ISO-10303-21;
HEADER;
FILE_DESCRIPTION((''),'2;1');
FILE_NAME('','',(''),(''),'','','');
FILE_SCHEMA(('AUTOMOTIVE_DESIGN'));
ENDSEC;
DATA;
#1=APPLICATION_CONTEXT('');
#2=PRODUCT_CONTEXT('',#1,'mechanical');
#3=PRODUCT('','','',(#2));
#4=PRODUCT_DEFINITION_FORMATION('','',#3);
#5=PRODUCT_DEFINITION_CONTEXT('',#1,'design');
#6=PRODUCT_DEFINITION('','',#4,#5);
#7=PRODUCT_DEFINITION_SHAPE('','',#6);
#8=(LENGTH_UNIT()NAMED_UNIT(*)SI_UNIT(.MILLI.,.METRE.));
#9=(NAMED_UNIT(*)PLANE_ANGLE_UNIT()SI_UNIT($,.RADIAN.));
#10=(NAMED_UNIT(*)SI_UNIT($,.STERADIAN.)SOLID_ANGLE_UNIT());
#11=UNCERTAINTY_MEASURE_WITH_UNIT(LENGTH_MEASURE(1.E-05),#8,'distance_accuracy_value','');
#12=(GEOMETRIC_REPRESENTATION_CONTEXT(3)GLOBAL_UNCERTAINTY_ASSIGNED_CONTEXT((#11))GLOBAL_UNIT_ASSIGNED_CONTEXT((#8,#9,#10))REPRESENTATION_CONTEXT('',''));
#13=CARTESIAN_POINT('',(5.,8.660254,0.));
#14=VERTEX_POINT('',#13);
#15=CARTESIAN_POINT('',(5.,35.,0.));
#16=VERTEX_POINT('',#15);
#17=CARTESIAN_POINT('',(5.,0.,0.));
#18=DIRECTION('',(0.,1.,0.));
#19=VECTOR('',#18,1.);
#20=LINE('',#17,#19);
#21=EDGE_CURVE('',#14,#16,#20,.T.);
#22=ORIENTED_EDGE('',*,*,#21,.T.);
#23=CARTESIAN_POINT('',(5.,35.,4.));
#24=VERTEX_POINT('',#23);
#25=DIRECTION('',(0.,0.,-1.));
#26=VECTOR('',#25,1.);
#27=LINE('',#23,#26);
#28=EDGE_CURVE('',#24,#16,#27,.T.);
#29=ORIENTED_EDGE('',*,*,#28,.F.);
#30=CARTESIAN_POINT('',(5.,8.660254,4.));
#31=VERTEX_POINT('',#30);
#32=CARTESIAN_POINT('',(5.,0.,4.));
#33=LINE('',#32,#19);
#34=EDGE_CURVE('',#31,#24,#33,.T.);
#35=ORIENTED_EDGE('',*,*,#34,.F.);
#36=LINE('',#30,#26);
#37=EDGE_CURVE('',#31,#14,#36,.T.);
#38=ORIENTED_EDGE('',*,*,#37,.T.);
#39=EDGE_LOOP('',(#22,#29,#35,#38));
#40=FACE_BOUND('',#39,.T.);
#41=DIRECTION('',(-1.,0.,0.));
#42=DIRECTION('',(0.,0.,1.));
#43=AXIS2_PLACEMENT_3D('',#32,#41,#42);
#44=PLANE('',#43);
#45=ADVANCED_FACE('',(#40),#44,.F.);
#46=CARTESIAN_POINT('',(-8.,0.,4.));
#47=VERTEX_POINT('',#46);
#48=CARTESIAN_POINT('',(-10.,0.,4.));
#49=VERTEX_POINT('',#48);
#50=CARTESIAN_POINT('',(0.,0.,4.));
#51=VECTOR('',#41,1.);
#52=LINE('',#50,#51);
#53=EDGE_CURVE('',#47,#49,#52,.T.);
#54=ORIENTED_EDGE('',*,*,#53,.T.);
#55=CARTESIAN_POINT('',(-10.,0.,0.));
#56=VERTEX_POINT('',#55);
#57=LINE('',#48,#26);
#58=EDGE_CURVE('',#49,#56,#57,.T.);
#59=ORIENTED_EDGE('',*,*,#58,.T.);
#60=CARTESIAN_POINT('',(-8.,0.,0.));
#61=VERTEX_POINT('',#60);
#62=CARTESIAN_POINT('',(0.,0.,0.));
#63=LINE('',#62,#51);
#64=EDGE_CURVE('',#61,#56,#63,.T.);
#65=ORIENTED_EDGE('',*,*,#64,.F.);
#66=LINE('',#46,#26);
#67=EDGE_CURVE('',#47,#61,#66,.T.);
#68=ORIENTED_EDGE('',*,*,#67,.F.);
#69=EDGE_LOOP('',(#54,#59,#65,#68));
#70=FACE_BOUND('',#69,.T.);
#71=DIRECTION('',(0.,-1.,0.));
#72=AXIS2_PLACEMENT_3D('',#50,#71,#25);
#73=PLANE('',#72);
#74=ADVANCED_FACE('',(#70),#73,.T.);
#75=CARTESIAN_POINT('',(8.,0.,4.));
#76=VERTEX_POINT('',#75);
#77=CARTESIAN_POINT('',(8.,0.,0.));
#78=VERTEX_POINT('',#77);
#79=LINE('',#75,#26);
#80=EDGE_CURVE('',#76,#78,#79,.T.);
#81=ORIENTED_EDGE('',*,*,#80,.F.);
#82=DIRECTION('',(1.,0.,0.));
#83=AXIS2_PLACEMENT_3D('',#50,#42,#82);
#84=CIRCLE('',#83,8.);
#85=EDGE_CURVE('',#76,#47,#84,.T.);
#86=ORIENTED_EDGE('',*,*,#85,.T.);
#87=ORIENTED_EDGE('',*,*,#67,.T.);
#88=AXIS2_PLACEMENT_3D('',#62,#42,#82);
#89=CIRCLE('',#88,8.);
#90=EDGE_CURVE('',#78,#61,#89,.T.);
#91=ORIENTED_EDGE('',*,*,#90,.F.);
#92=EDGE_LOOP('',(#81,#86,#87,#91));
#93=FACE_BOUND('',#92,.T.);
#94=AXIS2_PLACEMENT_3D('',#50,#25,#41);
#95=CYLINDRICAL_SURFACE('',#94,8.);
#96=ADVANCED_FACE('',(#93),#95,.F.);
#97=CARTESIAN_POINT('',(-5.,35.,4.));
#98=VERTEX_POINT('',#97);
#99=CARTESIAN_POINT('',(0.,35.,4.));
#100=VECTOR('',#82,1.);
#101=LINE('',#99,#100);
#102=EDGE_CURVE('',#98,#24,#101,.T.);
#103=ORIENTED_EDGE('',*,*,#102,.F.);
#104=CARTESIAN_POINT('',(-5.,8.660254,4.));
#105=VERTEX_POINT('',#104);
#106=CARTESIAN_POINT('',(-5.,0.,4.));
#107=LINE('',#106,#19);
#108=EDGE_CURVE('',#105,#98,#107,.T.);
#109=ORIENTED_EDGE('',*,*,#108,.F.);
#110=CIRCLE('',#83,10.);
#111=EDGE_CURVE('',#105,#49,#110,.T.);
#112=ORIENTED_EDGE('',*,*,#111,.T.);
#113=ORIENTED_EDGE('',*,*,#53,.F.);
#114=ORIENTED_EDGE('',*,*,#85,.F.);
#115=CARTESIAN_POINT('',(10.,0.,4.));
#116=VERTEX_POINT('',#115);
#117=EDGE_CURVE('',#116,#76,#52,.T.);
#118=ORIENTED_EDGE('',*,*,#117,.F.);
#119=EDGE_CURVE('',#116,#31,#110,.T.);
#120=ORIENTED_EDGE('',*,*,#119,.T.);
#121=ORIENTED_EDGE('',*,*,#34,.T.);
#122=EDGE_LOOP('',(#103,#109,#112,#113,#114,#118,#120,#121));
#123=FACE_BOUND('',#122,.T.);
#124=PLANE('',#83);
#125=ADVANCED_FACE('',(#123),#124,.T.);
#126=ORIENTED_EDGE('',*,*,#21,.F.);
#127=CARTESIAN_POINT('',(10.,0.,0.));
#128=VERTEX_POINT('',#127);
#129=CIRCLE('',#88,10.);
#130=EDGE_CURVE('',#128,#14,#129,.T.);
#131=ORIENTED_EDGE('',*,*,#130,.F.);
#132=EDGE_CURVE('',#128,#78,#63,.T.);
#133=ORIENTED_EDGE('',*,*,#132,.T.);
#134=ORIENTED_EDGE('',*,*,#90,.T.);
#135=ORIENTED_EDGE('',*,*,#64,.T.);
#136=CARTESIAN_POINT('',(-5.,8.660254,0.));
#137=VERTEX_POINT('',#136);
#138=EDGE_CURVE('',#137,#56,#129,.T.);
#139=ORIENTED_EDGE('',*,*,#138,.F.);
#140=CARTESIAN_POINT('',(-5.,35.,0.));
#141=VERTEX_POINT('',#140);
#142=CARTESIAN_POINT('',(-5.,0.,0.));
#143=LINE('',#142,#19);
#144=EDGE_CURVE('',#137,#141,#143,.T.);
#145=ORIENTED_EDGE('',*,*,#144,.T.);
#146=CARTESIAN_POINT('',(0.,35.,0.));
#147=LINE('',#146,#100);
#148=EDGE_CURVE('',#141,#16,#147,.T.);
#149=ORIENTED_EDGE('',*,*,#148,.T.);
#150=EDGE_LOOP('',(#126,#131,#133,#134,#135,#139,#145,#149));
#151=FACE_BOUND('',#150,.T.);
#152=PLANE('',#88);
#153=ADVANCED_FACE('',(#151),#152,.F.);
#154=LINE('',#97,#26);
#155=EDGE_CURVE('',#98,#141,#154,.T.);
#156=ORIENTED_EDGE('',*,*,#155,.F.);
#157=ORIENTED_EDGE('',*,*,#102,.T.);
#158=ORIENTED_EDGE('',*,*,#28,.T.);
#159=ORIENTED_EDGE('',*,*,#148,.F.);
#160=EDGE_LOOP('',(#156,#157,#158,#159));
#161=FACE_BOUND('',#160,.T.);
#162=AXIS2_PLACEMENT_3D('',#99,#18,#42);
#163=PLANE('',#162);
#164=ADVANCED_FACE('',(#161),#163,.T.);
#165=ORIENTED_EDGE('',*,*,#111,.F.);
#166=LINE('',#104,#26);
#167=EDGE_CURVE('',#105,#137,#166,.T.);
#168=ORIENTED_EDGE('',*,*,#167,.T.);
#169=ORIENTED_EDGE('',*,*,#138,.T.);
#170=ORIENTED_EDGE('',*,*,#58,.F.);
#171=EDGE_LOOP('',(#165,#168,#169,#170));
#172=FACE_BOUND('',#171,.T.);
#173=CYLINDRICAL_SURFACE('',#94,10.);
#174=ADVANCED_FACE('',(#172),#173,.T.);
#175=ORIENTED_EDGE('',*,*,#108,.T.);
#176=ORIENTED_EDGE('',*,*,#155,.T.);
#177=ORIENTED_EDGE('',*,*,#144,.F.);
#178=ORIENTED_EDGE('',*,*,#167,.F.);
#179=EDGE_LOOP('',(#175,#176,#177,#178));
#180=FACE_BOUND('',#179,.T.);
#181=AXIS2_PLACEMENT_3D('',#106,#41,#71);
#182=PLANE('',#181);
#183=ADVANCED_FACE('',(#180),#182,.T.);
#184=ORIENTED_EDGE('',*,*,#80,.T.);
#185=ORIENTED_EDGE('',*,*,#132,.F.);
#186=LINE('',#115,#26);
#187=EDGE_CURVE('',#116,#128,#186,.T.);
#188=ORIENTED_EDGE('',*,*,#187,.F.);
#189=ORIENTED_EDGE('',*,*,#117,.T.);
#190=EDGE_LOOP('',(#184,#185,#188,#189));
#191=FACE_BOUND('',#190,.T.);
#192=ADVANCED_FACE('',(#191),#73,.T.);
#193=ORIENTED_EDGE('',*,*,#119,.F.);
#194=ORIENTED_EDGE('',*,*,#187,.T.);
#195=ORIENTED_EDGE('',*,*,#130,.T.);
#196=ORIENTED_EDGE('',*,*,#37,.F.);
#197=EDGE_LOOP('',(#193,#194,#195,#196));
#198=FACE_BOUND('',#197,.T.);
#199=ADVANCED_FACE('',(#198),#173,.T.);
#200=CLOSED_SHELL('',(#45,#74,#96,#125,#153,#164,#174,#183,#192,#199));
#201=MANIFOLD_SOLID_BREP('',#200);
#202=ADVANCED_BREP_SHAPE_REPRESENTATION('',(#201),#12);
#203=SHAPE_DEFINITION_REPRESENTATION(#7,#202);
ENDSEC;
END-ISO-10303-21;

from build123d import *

# Parameters (mm, degrees)
BOSS_EXTRUDE1_DEPTH = 4


with BuildPart() as part:
    # Sketch1 → Boss-Extrude1 (new body)
    with BuildSketch(Plane.XY):
        with BuildLine():
            Line((10, 0), (8, 0))
            ThreePointArc((8, 0), (0, 8), (-8, 0))
            Line((-8, 0), (-10, 0))
            ThreePointArc((-10, 0), (-8.660254038, 5), (-5, 8.660254038))
            Line((-5, 8.660254038), (-5, 35))
            Line((-5, 35), (5, 35))
            Line((5, 35), (5, 8.660254038))
            ThreePointArc((5, 8.660254038), (8.660254038, 5), (10, 0))
        make_face()
    extrude(amount=BOSS_EXTRUDE1_DEPTH)


solid = part.part
